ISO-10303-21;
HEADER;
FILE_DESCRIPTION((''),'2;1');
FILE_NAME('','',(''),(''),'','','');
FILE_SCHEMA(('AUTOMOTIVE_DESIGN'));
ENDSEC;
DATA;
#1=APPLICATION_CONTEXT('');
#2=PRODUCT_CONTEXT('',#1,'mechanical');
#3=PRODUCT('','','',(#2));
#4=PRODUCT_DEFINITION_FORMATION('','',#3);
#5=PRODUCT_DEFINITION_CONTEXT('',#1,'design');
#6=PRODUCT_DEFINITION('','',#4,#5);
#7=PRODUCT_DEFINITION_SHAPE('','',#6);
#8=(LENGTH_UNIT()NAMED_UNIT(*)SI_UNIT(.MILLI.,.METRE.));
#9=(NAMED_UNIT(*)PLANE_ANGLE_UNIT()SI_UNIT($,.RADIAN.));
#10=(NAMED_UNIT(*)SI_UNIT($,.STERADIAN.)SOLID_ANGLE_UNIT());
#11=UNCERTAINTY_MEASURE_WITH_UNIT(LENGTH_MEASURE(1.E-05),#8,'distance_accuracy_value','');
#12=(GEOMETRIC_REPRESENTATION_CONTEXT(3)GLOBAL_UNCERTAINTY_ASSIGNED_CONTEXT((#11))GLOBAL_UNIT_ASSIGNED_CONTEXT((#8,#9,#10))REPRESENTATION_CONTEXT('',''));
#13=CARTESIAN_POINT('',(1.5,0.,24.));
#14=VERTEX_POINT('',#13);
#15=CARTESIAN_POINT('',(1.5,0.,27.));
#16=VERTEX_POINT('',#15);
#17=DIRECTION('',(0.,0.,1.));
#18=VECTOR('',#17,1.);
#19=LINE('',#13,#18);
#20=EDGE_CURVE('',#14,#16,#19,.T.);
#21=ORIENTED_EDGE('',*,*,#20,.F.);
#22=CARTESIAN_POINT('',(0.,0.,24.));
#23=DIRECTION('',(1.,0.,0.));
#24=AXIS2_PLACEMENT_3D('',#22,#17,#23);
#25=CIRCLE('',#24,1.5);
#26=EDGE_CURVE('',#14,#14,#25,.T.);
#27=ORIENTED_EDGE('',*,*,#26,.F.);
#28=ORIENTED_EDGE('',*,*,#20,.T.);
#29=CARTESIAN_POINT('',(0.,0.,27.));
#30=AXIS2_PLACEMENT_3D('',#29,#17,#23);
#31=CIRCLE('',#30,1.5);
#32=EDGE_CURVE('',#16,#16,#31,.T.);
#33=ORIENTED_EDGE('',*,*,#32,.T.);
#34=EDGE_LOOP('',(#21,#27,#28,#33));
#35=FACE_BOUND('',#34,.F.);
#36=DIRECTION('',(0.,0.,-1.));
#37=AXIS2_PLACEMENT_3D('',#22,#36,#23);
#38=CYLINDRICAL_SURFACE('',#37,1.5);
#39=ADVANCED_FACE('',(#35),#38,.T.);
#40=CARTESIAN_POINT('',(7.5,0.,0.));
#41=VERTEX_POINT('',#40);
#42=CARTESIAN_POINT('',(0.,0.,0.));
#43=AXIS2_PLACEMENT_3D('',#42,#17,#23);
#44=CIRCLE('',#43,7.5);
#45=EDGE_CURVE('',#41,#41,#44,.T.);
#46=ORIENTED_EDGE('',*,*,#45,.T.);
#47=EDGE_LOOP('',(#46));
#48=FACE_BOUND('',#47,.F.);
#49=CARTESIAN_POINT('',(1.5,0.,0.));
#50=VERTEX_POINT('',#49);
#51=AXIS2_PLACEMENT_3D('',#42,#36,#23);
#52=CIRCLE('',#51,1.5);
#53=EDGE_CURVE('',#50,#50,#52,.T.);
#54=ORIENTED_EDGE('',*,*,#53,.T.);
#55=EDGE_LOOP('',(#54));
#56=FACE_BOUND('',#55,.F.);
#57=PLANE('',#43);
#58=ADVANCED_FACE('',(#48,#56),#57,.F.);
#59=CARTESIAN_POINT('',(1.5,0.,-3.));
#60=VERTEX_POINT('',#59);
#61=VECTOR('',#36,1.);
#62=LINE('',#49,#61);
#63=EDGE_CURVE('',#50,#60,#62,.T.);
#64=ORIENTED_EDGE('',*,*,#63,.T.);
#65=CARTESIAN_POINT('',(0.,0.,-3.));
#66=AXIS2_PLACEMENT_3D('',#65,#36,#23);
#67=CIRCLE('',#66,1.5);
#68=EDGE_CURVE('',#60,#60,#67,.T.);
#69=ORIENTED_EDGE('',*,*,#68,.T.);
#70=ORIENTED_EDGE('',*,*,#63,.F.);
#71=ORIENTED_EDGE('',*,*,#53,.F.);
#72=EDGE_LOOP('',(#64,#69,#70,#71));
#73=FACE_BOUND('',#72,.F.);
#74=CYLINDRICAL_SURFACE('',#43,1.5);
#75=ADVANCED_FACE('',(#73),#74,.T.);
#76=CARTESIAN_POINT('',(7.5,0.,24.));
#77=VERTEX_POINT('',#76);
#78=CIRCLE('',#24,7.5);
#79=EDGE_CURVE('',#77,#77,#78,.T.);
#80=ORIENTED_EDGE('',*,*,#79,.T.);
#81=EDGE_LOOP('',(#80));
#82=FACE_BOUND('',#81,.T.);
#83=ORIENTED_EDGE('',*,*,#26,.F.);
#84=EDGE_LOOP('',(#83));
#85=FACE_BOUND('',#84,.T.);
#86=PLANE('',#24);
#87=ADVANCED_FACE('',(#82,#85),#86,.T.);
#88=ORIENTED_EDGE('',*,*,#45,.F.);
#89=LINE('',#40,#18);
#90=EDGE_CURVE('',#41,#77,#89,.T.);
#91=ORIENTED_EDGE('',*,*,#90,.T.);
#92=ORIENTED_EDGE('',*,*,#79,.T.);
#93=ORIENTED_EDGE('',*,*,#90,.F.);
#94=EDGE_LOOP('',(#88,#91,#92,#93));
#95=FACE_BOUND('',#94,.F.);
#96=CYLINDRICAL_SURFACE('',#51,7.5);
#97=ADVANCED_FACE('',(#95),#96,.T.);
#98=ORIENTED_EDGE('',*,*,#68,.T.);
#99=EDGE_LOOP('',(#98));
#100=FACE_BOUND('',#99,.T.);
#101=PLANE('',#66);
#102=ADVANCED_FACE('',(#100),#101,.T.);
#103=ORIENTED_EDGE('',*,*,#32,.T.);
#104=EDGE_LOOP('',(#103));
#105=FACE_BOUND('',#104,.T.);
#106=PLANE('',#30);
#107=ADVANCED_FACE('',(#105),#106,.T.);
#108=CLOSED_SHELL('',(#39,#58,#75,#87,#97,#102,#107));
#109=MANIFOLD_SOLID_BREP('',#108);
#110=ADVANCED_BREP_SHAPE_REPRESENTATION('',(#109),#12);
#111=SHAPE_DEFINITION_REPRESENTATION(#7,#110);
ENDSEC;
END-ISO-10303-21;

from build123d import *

# Parameters (mm, degrees)
SKETCH_R     = 7.5
PAD_DEPTH    = 24
SKETCH001_R  = 1.5
PAD001_DEPTH = 3
SKETCH002_R  = 1.5
PAD002_DEPTH = 3


with BuildPart() as part:
    # Sketch → Pad (new body)
    with BuildSketch(Plane.XY):
        Circle(SKETCH_R)
    extrude(amount=PAD_DEPTH)

    # Sketch001 → Pad001 (new body)
    with BuildSketch(Plane.XY.offset(24)):
        Circle(SKETCH001_R)
    extrude(amount=PAD001_DEPTH)

    # Sketch002 → Pad002 (new body)
    with BuildSketch(Plane(origin=(0, 0, 0), x_dir=(1, 0, 0), z_dir=(0, 0, -1))):
        Circle(SKETCH002_R)
    extrude(amount=PAD002_DEPTH)


solid = part.part
